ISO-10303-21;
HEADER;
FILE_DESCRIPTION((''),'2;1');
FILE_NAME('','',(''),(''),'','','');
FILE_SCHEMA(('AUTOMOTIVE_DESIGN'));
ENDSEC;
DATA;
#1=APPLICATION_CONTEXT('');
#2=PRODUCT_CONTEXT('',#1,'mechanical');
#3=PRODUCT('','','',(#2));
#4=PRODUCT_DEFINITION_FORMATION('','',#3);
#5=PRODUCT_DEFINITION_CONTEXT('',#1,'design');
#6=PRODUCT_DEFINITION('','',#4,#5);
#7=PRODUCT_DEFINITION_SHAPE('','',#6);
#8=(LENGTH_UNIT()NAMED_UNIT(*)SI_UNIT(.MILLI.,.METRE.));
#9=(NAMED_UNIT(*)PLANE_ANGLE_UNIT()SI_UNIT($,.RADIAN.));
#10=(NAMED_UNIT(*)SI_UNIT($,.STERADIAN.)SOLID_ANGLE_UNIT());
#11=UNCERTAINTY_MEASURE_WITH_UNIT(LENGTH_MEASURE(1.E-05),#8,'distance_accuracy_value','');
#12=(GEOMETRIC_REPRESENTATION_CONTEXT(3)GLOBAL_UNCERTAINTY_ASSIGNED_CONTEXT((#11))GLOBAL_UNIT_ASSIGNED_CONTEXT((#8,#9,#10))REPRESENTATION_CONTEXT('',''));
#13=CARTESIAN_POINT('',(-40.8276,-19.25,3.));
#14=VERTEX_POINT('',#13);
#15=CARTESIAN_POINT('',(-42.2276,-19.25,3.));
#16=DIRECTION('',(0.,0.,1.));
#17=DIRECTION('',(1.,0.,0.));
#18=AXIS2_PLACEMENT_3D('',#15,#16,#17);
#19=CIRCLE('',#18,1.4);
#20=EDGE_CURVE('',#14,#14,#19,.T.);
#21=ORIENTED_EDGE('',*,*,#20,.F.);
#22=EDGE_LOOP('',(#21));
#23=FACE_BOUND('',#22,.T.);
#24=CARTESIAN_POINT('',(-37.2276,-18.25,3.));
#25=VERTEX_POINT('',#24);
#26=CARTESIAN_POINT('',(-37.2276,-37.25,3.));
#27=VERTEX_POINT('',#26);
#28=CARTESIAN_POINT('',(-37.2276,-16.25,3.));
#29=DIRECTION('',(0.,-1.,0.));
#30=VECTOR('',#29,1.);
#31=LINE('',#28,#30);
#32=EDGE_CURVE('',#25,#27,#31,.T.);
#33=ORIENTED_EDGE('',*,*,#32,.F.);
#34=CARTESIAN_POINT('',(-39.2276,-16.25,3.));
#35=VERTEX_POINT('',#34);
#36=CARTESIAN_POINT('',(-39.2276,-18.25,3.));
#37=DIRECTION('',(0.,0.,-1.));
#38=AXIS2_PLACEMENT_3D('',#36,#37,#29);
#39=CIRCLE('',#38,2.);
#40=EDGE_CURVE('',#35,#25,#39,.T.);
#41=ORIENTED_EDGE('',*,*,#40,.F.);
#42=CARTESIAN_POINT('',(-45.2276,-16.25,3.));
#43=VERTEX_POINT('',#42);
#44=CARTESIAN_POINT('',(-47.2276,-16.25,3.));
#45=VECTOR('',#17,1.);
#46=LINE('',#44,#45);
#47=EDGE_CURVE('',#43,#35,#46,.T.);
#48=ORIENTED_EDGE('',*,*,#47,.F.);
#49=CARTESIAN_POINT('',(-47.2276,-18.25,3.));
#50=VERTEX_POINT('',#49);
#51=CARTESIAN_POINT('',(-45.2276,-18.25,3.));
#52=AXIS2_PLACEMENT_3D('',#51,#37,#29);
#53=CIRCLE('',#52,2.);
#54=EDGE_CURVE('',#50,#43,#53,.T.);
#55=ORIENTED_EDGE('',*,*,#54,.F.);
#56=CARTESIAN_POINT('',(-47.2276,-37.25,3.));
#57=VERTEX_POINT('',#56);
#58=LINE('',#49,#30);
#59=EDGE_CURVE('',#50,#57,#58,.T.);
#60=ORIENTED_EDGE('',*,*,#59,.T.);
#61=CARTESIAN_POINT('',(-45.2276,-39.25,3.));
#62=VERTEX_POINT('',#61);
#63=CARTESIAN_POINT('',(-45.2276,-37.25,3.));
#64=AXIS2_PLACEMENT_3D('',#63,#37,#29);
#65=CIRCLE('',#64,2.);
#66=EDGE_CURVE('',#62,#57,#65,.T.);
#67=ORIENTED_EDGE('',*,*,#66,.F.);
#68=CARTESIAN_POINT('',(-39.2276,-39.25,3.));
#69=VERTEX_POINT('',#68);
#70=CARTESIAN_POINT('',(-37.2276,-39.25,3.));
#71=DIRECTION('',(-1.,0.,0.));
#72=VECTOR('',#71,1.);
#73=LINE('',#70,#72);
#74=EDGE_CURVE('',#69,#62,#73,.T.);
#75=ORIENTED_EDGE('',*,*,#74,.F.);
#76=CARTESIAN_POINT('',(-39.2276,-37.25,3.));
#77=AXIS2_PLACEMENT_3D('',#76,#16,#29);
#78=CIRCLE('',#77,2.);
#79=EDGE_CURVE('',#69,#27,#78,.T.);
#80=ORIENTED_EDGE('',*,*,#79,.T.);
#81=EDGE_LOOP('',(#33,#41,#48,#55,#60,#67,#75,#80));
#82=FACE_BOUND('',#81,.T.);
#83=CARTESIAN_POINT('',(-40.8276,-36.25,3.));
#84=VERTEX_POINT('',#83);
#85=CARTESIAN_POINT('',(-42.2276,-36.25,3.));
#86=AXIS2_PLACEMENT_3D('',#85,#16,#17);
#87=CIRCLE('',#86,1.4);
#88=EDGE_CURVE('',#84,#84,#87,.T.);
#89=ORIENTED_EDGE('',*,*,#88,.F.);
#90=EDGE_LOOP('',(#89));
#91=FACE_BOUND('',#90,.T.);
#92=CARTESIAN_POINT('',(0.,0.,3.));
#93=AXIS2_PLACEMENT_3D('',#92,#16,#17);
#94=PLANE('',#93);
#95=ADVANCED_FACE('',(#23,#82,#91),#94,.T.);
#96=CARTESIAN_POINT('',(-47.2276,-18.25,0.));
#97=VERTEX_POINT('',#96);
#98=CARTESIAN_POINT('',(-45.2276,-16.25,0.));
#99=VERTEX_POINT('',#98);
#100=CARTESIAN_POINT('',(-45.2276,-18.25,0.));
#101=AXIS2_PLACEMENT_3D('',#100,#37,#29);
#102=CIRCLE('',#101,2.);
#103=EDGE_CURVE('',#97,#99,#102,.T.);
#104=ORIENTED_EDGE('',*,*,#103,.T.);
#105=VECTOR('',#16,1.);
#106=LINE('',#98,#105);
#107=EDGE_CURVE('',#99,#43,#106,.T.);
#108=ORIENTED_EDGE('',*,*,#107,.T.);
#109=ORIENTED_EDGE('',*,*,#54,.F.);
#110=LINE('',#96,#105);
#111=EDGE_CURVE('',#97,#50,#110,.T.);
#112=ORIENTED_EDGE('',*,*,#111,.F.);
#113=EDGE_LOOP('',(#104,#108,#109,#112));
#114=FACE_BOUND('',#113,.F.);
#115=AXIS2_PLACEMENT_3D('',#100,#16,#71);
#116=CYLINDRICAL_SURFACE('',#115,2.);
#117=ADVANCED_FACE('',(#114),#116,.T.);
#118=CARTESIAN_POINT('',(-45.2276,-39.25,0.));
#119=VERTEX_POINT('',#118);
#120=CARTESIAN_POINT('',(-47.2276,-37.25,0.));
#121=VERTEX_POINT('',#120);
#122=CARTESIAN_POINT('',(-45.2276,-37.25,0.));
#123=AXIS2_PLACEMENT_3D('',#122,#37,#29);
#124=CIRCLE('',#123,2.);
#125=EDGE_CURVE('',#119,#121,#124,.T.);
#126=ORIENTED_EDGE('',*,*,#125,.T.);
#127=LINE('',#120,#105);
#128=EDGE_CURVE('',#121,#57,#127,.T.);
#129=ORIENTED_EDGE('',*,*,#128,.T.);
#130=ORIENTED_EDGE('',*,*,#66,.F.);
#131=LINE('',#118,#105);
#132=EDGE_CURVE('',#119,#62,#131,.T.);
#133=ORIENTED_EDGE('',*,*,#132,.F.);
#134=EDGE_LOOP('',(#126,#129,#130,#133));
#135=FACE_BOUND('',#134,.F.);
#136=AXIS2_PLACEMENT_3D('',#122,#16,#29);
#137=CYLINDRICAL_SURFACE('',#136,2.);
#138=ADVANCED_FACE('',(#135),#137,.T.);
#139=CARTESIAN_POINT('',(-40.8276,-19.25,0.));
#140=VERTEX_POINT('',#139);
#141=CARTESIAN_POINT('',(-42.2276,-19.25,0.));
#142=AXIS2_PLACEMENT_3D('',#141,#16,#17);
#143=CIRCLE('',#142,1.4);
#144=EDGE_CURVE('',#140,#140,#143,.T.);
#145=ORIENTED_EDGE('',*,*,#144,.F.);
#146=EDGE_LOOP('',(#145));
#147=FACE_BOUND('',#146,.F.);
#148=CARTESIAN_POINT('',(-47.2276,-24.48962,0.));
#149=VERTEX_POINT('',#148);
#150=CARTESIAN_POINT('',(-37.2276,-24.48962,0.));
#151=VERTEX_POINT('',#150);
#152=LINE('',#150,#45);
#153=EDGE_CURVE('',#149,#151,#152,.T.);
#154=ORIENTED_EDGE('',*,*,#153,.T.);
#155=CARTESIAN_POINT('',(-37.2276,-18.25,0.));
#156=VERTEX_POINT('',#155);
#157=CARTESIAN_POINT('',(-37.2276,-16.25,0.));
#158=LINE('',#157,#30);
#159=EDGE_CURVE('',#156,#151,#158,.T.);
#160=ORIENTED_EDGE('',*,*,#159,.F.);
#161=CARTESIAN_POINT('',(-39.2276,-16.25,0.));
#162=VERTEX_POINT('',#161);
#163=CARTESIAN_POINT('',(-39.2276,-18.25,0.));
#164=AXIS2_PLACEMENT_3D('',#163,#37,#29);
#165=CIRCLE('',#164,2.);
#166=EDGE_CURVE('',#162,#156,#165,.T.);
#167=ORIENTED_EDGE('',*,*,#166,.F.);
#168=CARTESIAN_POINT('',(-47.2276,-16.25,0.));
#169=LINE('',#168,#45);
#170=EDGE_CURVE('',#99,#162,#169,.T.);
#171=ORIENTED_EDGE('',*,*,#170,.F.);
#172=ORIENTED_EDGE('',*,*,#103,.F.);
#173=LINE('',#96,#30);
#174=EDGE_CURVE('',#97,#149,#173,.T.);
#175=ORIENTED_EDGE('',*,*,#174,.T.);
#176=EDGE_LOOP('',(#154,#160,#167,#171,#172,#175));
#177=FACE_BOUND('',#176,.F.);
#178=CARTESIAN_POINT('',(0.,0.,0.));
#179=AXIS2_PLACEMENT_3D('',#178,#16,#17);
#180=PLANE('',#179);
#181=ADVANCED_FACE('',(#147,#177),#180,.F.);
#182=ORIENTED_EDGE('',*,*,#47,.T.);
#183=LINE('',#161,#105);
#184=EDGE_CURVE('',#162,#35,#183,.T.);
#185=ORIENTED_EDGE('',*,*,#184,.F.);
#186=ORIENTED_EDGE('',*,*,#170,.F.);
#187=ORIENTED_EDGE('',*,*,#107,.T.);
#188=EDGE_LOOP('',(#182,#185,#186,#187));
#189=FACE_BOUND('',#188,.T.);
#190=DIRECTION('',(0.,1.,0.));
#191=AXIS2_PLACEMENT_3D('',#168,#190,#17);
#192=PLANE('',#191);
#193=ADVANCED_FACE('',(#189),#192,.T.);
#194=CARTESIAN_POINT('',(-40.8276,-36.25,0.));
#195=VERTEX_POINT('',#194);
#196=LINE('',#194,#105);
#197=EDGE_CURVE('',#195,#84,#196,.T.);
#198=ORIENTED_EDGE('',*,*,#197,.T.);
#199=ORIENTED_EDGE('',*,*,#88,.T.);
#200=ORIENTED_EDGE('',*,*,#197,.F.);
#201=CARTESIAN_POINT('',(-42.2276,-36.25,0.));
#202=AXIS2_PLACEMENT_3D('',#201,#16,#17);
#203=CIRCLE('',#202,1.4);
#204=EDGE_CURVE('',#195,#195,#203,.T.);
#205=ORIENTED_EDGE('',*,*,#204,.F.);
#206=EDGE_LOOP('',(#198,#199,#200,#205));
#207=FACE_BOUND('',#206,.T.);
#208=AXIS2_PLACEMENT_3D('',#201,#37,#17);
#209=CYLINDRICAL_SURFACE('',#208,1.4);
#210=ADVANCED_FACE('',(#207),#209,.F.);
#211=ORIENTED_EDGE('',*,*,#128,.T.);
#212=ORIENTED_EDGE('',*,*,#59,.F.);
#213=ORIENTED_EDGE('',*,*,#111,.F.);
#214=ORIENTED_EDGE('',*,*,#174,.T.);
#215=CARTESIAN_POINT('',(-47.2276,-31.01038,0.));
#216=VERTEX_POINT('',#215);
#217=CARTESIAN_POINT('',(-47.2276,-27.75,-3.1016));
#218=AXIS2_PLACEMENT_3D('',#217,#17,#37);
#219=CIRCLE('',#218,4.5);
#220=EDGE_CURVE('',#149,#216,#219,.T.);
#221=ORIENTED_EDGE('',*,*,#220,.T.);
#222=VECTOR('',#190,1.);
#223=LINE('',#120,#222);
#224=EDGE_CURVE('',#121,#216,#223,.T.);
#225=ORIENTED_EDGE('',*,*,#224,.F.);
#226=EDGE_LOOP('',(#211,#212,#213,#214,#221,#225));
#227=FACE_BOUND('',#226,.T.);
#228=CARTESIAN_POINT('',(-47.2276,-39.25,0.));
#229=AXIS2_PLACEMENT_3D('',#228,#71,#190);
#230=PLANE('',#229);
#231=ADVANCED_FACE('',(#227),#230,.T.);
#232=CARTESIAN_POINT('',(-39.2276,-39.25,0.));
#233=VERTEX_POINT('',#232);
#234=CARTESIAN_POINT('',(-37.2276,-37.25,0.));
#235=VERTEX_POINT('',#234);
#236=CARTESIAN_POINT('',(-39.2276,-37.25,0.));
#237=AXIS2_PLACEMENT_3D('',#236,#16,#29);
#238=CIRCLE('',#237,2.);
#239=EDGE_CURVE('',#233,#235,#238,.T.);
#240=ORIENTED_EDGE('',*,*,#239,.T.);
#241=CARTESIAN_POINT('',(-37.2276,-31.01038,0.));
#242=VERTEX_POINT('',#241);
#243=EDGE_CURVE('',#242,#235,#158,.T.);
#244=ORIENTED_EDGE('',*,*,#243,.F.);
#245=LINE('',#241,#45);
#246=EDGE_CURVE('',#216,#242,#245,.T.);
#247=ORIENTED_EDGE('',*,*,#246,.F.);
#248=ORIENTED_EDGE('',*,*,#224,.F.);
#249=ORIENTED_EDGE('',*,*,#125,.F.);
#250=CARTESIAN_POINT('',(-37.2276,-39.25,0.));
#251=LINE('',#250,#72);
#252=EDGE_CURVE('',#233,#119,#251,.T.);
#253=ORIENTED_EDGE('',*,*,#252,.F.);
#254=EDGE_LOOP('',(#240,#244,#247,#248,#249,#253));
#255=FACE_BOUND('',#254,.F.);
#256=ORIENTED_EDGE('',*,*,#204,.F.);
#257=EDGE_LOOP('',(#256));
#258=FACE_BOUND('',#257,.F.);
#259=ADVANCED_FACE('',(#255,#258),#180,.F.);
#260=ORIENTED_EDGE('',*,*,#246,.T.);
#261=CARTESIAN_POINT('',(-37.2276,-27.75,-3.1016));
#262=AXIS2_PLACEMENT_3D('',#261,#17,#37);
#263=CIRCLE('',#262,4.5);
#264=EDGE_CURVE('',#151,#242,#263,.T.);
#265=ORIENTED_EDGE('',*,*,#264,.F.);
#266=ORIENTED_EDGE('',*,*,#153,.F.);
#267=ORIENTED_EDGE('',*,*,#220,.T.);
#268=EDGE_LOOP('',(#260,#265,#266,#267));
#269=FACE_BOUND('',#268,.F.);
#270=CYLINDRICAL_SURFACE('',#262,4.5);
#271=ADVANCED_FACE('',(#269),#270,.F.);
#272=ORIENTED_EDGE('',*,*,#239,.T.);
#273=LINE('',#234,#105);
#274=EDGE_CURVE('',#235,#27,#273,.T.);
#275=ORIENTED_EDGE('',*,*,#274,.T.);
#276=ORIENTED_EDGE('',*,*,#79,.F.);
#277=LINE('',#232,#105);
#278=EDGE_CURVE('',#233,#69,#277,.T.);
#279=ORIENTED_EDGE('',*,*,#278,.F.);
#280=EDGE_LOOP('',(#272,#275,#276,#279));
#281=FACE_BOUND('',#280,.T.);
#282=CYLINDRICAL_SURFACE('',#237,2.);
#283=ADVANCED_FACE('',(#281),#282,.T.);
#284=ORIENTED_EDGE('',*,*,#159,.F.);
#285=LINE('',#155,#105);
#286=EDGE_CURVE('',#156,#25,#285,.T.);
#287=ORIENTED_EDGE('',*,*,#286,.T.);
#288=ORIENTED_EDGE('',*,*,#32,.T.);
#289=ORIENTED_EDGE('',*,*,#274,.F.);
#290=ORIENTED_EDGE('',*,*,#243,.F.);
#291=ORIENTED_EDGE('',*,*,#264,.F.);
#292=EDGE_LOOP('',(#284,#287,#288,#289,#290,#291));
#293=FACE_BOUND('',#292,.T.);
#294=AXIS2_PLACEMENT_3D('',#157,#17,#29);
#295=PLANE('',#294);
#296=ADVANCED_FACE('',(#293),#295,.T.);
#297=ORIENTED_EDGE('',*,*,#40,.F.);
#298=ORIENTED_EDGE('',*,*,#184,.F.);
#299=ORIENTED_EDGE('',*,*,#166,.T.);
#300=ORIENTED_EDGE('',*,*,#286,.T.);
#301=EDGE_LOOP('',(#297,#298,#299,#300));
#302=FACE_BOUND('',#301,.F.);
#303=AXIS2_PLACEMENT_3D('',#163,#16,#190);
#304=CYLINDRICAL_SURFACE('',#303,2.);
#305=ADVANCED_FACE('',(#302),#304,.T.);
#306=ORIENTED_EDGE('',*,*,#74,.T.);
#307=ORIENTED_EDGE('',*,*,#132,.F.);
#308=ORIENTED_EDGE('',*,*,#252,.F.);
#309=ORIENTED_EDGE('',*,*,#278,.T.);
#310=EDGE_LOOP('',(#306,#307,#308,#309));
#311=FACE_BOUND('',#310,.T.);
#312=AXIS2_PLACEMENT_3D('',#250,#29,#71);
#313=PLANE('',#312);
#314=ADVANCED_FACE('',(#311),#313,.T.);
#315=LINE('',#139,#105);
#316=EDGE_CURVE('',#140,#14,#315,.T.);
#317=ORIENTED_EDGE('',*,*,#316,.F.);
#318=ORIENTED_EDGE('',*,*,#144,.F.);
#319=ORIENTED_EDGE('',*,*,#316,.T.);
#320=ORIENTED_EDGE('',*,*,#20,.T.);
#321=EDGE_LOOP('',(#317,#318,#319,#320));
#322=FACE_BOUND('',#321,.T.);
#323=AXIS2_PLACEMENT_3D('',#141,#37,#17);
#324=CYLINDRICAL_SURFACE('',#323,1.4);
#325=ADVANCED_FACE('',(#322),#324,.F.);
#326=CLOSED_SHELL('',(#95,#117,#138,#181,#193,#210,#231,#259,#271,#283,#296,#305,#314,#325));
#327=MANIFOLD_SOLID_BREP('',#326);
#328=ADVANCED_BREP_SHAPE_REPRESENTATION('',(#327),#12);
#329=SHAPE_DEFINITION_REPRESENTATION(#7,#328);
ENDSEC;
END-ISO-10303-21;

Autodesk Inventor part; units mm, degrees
ref_plane "YZ Plane" through (0, 0, 0) normal (1, 0, 0) x (0, 1, 0)
ref_plane "XZ Plane" through (0, 0, 0) normal (0, 1, 0) x (-1, 0, 0)
ref_plane "XY Plane" through (0, 0, 0) normal (0, 0, 1) x (1, 0, 0)
ref_plane "Arbeitsebene1" through (0, 0, 0) normal (0, 0, 1) x (1, 0, 0)
sketch "Skizze1" plane through (0, 0, 0) normal (0, 0, 1) x (1, 0, 0)
  circle A0 centre (-42.2276, -19.25) radius 1.4 projected
  circle A1 centre (-42.2276, -36.25) radius 1.4 projected
  line L0 (-63.9, -22.9942) -> (-41.36, -22.9942) projected
  line L1 (-41.36, -32.5058) -> (-63.9, -32.5058) projected
  line L2 (-37.2276, -39.25) -> (-47.2276, -39.25)
  line L3 (-47.2276, -39.25) -> (-47.2276, -16.25)
  line L4 (-47.2276, -16.25) -> (-37.2276, -16.25)
  line L5 (-37.2276, -16.25) -> (-37.2276, -39.25)
  line L6 (-37.2276, -39.25) -> (-47.2276, -16.25) construction
  line L7 (-47.2276, -39.25) -> (-37.2276, -16.25) construction
  point P0 (0, 0)
  point P1 (-42.2276, -27.75)
  dimension "d0" = 10
  dimension "d1" = 3
  dimension "d2" = 3
extrude "Extrusion1" add sketch "Skizze1" along normal blind 3
fillet "Rundung1" radius 2 4 edges at (-37.2276, -16.25, 1.5) (-37.2276, -39.25, 1.5) (-47.2276, -39.25, 1.5) (-47.2276, -16.25, 1.5)
sketch "Skizze2" plane through (-37.2276, -37.25, 0) normal (1, 0, 0) x (0, 0, -1)
  line L0 (0, 13.5) -> (4.8526, 13.5) projected
  circle A0 centre (4.8526, 9.5) radius 7 projected
  circle A1 centre (3.1016, 9.5) radius 4.5
  point P0 (0, 37.25)
  dimension "d6" = 9
extrude "Extrusion2" cut sketch "Skizze2" against normal through all contours A1
properties part number "20_Laserlauncher_Fixation"
